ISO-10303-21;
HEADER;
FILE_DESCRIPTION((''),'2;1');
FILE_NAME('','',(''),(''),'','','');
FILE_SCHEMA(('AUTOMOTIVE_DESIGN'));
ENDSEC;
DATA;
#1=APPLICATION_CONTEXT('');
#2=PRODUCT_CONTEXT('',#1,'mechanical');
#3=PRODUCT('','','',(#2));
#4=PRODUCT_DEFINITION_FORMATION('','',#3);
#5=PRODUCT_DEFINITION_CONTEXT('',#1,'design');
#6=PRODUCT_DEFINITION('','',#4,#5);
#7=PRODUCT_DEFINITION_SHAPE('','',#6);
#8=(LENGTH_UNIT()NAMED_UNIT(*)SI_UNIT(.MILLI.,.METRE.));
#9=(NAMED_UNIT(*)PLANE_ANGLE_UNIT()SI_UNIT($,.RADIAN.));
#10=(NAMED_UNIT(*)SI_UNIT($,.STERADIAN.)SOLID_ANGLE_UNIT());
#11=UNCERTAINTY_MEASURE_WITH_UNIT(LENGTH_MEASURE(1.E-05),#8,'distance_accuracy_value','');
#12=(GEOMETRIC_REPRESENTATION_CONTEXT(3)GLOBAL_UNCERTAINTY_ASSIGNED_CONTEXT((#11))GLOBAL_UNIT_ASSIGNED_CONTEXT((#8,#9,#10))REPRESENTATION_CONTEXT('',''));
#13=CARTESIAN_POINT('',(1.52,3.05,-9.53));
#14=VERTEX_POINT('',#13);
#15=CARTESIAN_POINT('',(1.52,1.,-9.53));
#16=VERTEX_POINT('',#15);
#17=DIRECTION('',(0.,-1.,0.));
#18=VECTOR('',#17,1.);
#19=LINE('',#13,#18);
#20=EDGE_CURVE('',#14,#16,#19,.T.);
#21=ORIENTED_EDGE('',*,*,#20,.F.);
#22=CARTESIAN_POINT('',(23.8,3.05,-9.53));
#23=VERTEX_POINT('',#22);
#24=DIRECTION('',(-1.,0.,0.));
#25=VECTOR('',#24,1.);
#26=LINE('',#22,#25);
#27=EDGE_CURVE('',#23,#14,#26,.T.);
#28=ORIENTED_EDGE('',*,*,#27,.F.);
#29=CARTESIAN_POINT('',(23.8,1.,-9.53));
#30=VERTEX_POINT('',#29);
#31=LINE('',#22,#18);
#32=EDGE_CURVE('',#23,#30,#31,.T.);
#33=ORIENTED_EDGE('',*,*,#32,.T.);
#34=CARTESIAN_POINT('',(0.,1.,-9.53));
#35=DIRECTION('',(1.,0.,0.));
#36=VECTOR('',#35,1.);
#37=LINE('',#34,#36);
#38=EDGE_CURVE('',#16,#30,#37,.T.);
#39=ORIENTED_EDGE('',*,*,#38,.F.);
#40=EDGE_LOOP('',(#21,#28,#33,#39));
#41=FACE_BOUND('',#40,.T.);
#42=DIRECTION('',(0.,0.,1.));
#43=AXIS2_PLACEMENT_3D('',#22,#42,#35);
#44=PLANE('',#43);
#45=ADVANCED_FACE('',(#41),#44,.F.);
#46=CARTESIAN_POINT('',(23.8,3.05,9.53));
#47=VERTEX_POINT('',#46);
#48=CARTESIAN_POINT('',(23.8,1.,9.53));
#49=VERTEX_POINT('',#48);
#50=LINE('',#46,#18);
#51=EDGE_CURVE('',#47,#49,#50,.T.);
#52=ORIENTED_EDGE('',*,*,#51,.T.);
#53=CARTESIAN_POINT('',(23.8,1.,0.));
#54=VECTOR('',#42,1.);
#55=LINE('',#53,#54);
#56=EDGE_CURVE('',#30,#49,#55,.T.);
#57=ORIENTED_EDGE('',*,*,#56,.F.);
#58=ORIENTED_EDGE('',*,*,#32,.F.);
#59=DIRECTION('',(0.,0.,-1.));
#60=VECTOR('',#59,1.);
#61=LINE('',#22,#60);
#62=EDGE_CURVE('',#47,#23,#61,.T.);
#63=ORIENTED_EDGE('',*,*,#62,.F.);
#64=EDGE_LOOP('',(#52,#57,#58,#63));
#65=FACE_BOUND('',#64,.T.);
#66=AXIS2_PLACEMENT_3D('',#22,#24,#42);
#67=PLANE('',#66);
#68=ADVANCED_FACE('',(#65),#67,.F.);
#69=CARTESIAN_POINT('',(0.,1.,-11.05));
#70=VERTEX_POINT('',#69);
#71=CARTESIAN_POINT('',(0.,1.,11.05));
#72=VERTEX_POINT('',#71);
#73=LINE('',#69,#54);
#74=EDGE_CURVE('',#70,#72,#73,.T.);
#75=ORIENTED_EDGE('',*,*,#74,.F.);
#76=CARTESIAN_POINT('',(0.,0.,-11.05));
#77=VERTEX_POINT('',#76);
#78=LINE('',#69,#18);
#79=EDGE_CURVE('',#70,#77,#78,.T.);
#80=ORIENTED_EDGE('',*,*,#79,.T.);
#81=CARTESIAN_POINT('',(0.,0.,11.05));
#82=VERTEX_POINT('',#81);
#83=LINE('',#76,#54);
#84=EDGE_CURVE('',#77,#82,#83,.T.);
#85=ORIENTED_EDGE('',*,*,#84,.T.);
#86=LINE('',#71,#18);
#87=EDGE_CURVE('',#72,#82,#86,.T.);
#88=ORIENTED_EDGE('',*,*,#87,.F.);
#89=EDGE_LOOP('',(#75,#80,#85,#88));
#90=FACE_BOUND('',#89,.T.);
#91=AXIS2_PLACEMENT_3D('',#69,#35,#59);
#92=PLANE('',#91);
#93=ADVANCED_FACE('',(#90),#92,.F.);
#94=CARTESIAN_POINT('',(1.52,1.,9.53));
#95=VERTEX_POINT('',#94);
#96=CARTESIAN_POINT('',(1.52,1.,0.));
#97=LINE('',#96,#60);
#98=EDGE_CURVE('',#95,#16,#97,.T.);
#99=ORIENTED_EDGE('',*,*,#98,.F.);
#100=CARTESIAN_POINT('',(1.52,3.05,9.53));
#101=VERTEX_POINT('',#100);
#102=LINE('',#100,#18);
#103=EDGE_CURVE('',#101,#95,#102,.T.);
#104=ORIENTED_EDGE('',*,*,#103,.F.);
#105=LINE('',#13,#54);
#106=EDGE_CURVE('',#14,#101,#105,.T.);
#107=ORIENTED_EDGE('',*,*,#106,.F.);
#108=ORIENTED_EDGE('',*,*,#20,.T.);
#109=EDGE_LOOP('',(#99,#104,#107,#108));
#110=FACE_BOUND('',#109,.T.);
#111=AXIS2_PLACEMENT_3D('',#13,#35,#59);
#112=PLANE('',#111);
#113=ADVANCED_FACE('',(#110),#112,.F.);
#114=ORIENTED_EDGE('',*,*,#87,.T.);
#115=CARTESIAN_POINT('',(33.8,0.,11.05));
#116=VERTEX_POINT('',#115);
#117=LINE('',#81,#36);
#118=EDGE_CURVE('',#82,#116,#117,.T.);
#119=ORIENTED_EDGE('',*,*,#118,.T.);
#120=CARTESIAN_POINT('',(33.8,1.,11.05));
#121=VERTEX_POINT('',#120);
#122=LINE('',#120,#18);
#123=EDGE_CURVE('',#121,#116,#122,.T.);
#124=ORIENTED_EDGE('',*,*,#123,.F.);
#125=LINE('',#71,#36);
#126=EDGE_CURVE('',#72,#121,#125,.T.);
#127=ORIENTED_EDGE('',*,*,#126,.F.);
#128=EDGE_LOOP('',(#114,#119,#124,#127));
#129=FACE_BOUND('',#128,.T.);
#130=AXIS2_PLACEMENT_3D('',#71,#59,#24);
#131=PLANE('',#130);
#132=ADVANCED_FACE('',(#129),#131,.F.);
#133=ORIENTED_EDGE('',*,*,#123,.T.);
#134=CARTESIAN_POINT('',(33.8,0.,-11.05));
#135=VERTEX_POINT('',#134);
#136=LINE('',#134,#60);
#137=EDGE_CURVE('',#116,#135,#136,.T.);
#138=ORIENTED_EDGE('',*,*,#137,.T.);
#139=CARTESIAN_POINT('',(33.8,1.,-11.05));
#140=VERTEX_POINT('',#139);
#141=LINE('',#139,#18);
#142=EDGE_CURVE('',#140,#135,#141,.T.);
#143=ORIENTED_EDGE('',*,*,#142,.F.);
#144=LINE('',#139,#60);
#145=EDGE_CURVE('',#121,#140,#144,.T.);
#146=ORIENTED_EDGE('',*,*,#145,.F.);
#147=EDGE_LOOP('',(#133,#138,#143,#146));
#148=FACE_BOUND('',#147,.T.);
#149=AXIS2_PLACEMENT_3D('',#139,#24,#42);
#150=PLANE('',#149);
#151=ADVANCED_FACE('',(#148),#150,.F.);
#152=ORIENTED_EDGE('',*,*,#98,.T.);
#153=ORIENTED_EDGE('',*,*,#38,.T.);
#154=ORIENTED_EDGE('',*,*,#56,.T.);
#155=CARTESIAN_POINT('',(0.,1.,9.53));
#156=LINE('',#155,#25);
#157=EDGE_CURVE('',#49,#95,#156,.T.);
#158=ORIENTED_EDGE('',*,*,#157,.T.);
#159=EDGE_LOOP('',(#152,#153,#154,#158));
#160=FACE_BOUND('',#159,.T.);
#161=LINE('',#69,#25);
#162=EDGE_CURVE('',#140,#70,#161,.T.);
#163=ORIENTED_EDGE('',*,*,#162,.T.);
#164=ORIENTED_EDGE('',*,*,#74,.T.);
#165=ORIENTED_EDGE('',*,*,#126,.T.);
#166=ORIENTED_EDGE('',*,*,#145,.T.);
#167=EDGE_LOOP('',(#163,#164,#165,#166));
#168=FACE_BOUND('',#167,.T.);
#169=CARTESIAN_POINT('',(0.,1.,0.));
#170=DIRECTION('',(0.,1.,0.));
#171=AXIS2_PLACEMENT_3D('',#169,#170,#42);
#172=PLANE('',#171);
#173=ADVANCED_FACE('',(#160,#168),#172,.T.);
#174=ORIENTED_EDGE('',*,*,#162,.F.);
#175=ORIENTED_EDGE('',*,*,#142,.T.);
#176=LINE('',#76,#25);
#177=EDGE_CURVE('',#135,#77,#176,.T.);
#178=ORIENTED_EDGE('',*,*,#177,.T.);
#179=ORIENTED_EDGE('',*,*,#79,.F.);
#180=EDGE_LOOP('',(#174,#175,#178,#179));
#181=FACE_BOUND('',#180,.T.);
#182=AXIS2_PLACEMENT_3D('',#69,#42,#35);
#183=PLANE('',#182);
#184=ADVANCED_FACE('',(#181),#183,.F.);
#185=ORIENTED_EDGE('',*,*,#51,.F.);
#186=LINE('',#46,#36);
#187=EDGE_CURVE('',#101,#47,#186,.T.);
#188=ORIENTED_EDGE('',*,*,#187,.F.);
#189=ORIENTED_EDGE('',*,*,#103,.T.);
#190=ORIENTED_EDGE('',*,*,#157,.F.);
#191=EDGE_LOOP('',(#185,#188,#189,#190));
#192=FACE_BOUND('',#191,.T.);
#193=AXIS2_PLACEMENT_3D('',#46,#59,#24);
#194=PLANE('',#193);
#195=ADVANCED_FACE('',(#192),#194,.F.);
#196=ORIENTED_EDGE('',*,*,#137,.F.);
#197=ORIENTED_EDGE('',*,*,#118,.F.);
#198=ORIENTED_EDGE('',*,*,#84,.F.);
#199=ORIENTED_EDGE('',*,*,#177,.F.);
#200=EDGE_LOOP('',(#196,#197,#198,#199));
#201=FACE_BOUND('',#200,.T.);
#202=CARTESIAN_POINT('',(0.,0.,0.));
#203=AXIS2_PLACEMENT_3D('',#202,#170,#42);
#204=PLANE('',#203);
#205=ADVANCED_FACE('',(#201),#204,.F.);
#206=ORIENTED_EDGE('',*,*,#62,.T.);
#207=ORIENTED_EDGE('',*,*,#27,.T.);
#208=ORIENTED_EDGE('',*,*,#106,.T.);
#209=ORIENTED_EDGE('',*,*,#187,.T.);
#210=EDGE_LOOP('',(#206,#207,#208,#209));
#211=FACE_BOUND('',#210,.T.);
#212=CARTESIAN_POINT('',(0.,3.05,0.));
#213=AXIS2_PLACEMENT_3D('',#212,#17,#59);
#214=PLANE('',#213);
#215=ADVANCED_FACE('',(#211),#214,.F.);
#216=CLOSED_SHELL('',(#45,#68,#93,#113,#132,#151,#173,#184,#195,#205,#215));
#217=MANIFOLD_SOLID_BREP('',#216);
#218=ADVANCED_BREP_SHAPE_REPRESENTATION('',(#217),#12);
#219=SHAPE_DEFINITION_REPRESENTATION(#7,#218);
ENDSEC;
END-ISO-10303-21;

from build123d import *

# Parameters (mm, degrees)
SKETCH1_W           = 33.8
SKETCH1_H           = 22.1
BOSS_EXTRUDE1_DEPTH = 1
SKETCH2_2_W         = 22.28
SKETCH2_2_H         = 19.06
BOSS_EXTRUDE3_DEPTH = 3.05


with BuildPart() as part:
    # Sketch1 → Boss-Extrude1 (new body)
    with BuildSketch(Plane(origin=(0, 0, 0), x_dir=(1, 0, 0), z_dir=(0, 1, 0))):
        with Locations((16.9, 0)):
            Rectangle(SKETCH1_W, SKETCH1_H)
    extrude(amount=BOSS_EXTRUDE1_DEPTH)

    # Sketch2<2> → Boss-Extrude3 (add)
    with BuildSketch(Plane(origin=(0, 0, 0), x_dir=(1, 0, 0), z_dir=(0, 1, 0))):
        with Locations((12.66, 0)):
            Rectangle(SKETCH2_2_W, SKETCH2_2_H)
    extrude(amount=BOSS_EXTRUDE3_DEPTH)


solid = part.part
